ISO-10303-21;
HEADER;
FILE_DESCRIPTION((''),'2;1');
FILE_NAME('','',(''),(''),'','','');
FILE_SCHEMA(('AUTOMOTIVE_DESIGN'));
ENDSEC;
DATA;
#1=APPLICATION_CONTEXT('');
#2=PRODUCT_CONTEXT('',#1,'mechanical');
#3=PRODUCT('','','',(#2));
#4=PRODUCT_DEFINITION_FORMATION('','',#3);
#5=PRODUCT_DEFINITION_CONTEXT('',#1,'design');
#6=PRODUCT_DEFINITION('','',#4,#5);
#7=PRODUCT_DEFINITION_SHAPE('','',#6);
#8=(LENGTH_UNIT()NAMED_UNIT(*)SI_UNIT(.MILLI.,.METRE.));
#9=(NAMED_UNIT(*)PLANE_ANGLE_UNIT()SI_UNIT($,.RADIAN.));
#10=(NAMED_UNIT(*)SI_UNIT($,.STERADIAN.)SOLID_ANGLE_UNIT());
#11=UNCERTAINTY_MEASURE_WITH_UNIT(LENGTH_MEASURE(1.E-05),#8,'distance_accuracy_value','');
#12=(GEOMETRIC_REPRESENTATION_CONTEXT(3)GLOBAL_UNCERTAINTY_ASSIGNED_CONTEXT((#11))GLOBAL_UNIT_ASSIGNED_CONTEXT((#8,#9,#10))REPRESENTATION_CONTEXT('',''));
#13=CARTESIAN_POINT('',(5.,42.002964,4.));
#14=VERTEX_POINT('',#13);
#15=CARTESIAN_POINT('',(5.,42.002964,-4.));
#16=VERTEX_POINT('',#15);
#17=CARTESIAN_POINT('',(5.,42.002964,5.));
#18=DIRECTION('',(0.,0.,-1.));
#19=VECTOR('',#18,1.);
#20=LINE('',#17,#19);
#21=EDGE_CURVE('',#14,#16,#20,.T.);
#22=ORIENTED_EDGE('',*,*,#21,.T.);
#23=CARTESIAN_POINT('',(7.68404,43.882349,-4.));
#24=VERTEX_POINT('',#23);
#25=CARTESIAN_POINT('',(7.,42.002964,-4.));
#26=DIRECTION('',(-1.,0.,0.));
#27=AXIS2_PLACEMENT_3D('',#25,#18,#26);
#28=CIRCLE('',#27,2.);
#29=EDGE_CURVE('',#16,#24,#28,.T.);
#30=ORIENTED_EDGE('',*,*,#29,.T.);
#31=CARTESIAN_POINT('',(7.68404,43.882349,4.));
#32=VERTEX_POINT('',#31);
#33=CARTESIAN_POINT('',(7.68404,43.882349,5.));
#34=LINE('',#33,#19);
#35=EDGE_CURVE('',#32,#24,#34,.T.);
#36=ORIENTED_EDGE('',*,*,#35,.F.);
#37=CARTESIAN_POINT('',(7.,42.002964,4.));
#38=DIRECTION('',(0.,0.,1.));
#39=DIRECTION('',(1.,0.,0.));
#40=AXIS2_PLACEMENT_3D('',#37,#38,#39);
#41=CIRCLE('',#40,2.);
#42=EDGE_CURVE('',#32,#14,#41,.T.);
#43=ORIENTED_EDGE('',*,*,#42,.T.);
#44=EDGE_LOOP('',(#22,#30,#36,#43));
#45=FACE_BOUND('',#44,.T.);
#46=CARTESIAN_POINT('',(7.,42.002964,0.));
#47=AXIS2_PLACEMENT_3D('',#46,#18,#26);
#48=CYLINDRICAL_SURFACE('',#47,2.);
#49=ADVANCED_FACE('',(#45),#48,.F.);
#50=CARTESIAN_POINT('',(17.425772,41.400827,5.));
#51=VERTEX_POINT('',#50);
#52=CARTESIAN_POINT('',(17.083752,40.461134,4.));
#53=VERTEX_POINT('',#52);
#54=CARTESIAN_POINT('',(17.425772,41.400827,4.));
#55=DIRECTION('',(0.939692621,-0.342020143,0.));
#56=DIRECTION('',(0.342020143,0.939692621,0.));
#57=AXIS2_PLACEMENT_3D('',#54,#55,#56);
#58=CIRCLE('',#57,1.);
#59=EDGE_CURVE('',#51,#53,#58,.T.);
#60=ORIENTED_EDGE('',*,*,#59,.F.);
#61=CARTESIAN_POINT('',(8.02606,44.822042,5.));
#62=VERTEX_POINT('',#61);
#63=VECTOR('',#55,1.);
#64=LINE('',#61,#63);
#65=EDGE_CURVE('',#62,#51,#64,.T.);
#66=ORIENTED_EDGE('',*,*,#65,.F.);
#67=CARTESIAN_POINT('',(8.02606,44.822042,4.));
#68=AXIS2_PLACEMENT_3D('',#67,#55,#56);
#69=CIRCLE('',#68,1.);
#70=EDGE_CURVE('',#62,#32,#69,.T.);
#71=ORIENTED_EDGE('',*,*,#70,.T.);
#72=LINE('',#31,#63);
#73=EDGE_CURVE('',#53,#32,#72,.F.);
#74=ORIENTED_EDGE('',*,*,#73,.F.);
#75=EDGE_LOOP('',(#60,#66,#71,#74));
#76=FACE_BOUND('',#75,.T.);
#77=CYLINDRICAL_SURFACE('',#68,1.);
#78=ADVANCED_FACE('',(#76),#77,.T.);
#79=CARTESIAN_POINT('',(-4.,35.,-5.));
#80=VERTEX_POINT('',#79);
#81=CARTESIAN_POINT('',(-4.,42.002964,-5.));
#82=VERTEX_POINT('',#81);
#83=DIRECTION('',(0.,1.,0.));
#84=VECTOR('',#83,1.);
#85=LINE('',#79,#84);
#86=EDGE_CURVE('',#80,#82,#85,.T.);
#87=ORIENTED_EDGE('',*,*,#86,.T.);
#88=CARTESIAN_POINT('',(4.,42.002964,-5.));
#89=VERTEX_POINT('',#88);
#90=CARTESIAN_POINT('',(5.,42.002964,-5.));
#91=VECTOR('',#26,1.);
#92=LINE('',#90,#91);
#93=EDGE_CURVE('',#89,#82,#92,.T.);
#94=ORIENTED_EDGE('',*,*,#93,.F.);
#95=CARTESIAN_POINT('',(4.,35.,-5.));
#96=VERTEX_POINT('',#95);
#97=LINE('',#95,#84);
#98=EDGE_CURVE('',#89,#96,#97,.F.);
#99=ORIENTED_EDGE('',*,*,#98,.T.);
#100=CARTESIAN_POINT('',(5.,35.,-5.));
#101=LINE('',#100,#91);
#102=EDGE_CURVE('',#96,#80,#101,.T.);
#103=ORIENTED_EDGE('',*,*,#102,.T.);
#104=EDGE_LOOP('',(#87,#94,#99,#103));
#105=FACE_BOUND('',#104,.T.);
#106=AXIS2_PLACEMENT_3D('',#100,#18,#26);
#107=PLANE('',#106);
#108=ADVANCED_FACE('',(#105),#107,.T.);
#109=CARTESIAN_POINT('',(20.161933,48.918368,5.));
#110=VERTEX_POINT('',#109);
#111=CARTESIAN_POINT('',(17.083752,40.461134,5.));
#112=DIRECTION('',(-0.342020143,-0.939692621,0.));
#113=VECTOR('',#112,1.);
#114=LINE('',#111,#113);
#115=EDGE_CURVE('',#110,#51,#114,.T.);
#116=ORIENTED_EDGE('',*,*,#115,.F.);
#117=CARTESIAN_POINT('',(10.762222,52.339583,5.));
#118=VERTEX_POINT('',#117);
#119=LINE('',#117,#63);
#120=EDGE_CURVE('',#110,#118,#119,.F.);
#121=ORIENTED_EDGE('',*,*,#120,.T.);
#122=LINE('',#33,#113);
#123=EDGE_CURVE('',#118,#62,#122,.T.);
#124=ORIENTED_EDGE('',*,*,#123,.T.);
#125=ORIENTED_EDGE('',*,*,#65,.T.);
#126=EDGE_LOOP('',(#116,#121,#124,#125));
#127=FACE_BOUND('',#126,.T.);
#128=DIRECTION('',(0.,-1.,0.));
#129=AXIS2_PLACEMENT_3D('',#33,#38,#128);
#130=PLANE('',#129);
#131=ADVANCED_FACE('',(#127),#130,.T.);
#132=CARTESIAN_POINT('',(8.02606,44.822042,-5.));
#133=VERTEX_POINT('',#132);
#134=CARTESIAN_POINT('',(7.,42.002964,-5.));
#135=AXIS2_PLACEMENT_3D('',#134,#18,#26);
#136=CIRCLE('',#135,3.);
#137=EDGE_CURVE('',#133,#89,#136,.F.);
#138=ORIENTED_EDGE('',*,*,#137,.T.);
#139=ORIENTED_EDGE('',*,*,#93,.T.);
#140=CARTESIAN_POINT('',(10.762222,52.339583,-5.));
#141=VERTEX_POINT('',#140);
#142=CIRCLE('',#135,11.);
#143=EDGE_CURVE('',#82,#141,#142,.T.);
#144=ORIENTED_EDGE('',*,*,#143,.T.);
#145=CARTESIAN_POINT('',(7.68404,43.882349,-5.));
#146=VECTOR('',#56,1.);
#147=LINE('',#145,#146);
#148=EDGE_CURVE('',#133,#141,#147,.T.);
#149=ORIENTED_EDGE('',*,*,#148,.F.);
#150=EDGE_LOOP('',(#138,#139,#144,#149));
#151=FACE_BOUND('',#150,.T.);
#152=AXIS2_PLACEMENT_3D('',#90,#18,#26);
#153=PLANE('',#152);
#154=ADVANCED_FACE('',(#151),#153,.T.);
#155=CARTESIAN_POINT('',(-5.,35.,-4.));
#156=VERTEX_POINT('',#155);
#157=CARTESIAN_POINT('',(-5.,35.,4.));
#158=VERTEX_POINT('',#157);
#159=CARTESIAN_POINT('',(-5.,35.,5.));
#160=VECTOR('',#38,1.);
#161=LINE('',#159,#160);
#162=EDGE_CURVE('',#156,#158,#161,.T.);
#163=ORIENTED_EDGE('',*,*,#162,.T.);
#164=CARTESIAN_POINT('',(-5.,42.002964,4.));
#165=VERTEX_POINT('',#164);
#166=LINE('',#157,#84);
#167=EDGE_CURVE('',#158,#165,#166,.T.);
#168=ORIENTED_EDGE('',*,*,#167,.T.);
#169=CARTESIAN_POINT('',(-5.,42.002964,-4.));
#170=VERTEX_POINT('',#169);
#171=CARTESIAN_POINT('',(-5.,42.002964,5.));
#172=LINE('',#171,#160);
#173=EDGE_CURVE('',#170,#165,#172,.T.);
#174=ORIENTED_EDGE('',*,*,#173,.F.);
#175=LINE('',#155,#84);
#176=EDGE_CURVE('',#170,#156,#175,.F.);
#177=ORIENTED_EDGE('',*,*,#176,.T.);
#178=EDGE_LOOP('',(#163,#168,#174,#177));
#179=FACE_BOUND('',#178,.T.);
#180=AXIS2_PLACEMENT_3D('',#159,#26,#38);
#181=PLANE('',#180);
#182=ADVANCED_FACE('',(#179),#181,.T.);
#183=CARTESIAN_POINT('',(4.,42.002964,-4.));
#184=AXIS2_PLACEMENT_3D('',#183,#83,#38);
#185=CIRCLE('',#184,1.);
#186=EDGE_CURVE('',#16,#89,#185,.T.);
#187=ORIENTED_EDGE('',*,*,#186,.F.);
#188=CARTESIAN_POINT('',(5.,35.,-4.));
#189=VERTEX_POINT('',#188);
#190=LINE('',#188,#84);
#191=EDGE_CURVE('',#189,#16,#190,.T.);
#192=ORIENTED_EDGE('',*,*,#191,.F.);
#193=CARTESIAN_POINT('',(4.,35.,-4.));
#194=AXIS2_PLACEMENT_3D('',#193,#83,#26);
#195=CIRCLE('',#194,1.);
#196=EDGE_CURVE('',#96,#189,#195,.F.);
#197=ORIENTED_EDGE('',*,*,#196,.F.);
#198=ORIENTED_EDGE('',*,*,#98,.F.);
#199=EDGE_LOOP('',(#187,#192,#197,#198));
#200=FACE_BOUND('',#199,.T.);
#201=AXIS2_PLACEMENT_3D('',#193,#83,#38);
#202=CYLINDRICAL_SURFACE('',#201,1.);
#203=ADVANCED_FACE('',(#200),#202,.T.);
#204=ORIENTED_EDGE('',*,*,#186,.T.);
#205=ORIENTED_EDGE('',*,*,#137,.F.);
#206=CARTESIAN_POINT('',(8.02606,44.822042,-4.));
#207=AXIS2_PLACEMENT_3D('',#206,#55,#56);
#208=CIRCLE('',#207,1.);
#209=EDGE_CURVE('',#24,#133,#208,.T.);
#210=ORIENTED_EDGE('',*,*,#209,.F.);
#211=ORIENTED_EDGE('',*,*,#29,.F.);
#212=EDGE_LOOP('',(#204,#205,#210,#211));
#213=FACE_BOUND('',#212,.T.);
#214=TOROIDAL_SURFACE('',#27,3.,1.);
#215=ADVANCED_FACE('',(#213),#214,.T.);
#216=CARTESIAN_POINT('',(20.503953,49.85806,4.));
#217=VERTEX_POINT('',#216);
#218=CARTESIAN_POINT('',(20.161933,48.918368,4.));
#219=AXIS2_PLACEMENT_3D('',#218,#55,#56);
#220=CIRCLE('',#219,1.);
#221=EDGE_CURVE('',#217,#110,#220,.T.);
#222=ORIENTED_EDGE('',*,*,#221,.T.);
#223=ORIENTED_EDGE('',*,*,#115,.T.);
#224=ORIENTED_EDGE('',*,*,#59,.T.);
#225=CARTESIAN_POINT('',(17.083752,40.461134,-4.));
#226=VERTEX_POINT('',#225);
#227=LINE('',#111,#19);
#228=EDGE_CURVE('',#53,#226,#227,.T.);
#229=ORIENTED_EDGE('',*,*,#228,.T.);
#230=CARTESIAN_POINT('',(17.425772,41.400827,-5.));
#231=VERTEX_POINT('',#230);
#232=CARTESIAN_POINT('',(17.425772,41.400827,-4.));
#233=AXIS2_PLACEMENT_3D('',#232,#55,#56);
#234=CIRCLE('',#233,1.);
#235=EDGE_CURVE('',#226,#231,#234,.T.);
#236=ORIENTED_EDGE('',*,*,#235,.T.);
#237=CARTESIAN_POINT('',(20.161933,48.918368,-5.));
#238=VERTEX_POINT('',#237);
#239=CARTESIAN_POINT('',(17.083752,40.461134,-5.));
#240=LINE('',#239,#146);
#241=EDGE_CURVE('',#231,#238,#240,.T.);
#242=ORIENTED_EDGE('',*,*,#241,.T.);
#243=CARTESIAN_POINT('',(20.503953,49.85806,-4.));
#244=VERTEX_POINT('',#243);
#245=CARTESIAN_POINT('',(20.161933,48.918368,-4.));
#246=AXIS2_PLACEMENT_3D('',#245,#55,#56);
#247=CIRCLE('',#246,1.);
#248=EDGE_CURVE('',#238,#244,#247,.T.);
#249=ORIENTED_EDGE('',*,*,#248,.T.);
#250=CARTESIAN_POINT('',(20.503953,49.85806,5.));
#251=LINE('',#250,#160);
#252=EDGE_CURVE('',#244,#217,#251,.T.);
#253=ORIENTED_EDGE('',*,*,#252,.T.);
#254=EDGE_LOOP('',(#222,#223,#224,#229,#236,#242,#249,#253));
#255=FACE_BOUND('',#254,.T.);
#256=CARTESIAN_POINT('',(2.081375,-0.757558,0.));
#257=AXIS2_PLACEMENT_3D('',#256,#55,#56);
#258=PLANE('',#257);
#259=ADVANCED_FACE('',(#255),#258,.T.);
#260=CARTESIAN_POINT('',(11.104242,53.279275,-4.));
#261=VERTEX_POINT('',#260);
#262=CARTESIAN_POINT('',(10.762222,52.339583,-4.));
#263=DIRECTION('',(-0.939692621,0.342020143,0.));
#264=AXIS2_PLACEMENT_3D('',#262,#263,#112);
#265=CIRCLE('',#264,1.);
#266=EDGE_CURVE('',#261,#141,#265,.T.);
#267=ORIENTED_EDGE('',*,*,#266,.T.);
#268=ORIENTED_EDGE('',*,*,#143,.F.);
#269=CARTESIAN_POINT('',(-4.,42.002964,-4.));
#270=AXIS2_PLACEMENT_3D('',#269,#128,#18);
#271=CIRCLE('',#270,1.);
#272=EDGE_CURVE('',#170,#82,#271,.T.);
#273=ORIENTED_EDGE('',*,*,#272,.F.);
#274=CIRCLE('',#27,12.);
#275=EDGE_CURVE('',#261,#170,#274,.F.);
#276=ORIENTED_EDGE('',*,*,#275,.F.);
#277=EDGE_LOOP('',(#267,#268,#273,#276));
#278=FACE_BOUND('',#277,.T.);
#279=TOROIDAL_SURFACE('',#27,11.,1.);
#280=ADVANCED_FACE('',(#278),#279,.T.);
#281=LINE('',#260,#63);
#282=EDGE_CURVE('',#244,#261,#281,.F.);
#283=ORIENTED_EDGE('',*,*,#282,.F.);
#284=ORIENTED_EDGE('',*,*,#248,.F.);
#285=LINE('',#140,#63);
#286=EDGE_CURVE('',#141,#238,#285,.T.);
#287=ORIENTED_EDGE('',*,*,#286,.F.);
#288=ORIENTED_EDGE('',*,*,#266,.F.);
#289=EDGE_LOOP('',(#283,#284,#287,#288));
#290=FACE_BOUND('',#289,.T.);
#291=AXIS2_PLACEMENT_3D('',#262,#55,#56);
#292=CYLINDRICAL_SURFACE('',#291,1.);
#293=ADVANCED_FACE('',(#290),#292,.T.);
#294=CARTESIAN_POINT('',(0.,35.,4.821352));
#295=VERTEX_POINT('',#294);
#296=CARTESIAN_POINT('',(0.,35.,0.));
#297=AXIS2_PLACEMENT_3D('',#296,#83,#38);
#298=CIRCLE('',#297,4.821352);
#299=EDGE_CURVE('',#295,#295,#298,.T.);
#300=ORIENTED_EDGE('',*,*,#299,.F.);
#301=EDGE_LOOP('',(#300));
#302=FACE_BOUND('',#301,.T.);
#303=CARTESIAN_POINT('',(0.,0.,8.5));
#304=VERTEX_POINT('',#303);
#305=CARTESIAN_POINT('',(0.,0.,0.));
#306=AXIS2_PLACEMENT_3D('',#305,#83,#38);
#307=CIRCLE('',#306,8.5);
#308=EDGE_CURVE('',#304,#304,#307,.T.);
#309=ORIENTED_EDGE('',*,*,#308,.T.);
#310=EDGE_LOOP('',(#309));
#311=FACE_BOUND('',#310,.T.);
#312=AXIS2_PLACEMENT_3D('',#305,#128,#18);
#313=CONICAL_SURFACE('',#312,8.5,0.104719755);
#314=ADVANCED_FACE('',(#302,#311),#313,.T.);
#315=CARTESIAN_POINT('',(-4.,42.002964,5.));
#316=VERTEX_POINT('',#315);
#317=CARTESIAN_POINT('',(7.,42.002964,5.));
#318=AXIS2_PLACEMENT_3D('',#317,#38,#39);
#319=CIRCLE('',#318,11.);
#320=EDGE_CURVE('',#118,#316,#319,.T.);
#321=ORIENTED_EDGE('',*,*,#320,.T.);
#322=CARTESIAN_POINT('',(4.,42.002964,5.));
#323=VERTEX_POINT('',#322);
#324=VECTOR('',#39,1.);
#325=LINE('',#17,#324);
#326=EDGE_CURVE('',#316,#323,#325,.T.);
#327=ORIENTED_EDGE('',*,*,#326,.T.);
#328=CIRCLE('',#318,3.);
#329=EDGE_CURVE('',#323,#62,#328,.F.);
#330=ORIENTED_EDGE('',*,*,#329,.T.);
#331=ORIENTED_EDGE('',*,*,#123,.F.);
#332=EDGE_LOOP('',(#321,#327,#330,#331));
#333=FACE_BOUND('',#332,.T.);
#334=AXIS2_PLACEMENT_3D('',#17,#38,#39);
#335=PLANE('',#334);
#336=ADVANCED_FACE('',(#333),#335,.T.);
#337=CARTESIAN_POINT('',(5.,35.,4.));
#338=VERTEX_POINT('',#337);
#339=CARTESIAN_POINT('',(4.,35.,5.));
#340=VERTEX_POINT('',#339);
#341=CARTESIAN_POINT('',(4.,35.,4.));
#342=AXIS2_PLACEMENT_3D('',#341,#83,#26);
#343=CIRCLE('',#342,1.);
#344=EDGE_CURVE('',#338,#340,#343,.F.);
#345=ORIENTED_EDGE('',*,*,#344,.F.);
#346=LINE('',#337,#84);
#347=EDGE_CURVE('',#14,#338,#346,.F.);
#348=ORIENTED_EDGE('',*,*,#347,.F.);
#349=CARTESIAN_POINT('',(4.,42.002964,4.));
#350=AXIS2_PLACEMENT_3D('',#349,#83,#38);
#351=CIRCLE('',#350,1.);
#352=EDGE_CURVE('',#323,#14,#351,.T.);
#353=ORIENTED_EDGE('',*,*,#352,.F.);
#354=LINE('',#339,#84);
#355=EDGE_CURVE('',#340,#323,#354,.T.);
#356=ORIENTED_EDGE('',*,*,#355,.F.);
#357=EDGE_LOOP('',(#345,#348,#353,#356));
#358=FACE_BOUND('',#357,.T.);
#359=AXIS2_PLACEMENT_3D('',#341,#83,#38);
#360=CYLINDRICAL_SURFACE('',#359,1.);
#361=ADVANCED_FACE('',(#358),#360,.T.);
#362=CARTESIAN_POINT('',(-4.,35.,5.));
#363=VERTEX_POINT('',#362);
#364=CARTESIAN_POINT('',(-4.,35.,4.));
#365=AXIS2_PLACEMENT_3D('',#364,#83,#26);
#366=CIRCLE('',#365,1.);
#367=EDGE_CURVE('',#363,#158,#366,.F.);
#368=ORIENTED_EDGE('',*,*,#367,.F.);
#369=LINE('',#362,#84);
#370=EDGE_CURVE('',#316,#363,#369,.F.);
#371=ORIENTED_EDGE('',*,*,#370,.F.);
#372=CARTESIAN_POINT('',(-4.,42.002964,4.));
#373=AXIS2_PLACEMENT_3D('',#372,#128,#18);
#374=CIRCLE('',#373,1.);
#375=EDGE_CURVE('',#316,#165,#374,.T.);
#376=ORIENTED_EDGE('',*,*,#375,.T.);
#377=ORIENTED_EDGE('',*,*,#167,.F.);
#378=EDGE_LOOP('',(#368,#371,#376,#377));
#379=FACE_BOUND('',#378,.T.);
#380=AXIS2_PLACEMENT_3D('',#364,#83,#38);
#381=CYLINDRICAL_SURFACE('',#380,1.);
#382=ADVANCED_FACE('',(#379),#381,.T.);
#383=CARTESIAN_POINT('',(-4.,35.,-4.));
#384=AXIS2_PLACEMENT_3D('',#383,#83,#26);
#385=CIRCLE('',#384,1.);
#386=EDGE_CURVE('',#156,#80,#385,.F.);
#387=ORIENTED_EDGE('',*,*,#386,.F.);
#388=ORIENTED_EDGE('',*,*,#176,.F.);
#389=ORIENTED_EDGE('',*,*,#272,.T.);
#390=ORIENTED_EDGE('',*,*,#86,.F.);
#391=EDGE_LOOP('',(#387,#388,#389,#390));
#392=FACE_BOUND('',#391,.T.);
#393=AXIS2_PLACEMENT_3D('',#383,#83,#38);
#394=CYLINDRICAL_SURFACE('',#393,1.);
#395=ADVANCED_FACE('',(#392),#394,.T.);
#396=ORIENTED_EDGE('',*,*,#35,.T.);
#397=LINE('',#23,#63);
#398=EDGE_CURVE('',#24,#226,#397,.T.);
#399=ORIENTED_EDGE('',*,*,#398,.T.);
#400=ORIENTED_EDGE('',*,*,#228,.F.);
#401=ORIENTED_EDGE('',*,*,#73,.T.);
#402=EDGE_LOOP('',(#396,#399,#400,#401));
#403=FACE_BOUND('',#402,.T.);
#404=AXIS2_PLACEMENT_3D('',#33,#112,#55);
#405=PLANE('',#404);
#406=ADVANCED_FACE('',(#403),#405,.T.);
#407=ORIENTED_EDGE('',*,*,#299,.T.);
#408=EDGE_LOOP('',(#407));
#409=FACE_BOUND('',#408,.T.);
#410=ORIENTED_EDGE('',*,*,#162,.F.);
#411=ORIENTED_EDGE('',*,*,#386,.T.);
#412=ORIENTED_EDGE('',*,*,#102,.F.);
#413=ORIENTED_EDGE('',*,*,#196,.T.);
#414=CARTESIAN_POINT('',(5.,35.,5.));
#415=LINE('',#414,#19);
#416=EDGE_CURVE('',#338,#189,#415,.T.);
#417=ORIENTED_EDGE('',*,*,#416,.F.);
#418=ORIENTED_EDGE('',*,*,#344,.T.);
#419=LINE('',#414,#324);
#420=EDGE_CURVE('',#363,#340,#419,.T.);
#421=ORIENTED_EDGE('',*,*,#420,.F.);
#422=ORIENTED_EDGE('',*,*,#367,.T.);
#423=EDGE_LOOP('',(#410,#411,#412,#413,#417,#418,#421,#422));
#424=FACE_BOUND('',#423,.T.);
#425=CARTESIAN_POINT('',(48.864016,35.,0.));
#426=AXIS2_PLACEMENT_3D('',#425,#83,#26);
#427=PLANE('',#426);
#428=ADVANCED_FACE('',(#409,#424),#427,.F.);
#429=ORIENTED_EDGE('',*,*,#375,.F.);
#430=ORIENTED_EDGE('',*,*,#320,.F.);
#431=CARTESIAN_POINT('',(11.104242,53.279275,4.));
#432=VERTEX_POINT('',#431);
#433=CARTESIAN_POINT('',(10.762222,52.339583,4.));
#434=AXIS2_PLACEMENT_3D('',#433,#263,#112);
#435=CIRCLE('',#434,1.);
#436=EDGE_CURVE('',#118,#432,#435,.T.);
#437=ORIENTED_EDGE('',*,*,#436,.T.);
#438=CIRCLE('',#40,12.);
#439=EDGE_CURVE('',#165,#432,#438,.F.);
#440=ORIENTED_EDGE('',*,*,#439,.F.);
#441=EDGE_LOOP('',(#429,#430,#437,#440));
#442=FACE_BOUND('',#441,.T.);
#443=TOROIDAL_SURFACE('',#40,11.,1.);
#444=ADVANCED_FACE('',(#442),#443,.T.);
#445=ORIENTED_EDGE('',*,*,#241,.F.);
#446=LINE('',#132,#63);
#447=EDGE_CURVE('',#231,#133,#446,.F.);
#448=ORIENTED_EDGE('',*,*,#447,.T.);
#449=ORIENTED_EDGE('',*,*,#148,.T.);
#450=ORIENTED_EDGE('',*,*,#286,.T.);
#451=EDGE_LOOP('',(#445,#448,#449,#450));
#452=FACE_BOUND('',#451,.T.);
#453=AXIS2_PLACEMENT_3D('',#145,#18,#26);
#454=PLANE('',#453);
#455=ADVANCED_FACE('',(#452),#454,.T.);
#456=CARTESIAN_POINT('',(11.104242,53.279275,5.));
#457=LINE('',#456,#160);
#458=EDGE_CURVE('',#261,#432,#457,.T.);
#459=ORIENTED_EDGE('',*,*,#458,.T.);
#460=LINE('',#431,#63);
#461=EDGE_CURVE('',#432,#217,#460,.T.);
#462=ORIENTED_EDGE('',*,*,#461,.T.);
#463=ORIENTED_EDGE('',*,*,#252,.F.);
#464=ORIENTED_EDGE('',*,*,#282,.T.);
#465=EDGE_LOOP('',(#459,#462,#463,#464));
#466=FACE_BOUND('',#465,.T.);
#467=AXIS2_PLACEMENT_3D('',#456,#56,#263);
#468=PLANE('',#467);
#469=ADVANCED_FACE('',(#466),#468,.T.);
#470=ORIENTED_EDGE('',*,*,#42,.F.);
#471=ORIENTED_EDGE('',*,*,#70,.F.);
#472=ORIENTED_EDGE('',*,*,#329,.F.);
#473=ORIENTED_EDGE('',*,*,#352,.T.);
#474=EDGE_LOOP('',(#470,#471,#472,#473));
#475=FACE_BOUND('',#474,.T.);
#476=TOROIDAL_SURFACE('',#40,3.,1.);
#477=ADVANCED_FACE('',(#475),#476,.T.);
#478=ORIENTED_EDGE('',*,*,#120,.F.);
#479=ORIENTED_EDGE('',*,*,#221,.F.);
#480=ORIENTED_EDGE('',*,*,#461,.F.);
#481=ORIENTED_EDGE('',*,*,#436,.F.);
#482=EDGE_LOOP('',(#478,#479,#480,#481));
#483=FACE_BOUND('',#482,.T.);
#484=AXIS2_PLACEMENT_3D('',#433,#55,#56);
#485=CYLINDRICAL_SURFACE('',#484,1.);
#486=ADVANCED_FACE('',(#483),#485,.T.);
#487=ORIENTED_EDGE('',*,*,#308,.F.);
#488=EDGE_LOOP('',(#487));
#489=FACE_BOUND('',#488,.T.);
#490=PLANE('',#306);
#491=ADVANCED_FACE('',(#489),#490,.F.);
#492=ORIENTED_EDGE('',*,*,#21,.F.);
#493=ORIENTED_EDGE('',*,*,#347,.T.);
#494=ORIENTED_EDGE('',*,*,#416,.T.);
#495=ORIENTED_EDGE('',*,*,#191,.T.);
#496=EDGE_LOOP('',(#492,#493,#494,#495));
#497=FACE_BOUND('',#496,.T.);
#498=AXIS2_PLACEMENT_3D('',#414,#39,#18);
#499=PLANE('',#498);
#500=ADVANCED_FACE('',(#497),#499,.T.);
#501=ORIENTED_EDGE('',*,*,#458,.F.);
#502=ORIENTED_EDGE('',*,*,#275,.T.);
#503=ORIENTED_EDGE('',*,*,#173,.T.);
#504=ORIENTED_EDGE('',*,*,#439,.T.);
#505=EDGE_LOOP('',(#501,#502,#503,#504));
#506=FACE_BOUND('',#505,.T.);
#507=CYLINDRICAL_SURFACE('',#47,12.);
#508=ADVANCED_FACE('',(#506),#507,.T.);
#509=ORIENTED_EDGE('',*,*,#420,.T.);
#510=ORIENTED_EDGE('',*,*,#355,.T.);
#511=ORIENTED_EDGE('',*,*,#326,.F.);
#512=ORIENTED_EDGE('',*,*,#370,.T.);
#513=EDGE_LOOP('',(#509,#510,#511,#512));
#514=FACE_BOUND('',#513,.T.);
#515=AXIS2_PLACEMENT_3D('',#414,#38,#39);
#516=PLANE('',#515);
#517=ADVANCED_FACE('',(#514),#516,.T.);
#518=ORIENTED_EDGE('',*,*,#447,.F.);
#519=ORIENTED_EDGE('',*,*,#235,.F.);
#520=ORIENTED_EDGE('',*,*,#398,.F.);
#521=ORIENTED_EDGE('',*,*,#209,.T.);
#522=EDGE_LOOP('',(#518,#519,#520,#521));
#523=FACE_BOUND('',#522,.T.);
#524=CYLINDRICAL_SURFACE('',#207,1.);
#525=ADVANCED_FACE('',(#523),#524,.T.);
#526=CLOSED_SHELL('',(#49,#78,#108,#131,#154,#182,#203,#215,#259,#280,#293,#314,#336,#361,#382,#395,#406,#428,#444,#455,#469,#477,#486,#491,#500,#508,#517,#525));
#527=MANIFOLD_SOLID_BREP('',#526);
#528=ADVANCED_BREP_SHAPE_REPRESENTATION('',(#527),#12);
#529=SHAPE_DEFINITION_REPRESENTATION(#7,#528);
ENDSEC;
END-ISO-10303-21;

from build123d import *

# Parameters (mm, degrees)
SKETCH4_W = 10
SKETCH4_H = 10
FILLET1_R = 1
FILLET2_R = 1


with BuildPart() as part:
    # Sketch1 → Revolve1 (revolve)
    with BuildSketch(Plane(origin=(0, 0, 0), x_dir=(0, 0, -1), z_dir=(1, 0, 0)), mode=Mode.PRIVATE) as revolve1_sk:
        Polygon((0, 0), (8.5, 0), (4.821351766, 35), (0, 35), align=None)
    revolve(revolve1_sk.sketch.rotate(Axis((0, 13.119565217, 0), (0, -1, 0)), 180), axis=Axis((0, 13.119565217, 0), (0, -1, 0)))

    # Sweep1: sweep along a path in Sketch2
    with BuildLine(Plane.XY) as sweep1_path:
        Line((0, 35), (0, 42.002963953))
        ThreePointArc((0, 42.002963953), (2.984964946, 47.737028263), (9.394141003, 48.580812298))
        Line((9.394141003, 48.580812298), (18.793852416, 45.159597133))
    # Sketch4 → Sweep1 (sweep)
    with BuildSketch(Plane(origin=(2.081374564, -0.757558388, 0), x_dir=(0.3420201433256729, 0.9396926207859069, 0), z_dir=(0.9396926207859069, -0.3420201433256729, 0))):
        with Locations((48.864016281, 0)):
            Rectangle(SKETCH4_W, SKETCH4_H)
    sweep(path=sweep1_path.line)

    # Fillet1
    fillet1_edges = [part.edges().sort_by_distance(p)[0] for p in [
        (-5, 38.501481976, -5),
        (-5, 38.501481976, 5),
        (0.117082764, 51.832788484, -5),
        (0.117082764, 51.832788484, 5),
        (15.804097426, 51.56866782, -5),
        (15.804097426, 51.56866782, 5),
    ]]
    fillet(fillet1_edges, radius=FILLET1_R)

    # Fillet2
    fillet2_edges = [part.edges().sort_by_distance(p)[0] for p in [
        (5, 38.501481976, -5),
        (5, 38.501481976, 5),
        (5.852847127, 43.641268041, -5),
        (5.852847127, 43.641268041, 5),
        (12.383895993, 42.171741612, -5),
        (12.383895993, 42.171741612, 5),
    ]]
    fillet(fillet2_edges, radius=FILLET2_R)


solid = part.part
